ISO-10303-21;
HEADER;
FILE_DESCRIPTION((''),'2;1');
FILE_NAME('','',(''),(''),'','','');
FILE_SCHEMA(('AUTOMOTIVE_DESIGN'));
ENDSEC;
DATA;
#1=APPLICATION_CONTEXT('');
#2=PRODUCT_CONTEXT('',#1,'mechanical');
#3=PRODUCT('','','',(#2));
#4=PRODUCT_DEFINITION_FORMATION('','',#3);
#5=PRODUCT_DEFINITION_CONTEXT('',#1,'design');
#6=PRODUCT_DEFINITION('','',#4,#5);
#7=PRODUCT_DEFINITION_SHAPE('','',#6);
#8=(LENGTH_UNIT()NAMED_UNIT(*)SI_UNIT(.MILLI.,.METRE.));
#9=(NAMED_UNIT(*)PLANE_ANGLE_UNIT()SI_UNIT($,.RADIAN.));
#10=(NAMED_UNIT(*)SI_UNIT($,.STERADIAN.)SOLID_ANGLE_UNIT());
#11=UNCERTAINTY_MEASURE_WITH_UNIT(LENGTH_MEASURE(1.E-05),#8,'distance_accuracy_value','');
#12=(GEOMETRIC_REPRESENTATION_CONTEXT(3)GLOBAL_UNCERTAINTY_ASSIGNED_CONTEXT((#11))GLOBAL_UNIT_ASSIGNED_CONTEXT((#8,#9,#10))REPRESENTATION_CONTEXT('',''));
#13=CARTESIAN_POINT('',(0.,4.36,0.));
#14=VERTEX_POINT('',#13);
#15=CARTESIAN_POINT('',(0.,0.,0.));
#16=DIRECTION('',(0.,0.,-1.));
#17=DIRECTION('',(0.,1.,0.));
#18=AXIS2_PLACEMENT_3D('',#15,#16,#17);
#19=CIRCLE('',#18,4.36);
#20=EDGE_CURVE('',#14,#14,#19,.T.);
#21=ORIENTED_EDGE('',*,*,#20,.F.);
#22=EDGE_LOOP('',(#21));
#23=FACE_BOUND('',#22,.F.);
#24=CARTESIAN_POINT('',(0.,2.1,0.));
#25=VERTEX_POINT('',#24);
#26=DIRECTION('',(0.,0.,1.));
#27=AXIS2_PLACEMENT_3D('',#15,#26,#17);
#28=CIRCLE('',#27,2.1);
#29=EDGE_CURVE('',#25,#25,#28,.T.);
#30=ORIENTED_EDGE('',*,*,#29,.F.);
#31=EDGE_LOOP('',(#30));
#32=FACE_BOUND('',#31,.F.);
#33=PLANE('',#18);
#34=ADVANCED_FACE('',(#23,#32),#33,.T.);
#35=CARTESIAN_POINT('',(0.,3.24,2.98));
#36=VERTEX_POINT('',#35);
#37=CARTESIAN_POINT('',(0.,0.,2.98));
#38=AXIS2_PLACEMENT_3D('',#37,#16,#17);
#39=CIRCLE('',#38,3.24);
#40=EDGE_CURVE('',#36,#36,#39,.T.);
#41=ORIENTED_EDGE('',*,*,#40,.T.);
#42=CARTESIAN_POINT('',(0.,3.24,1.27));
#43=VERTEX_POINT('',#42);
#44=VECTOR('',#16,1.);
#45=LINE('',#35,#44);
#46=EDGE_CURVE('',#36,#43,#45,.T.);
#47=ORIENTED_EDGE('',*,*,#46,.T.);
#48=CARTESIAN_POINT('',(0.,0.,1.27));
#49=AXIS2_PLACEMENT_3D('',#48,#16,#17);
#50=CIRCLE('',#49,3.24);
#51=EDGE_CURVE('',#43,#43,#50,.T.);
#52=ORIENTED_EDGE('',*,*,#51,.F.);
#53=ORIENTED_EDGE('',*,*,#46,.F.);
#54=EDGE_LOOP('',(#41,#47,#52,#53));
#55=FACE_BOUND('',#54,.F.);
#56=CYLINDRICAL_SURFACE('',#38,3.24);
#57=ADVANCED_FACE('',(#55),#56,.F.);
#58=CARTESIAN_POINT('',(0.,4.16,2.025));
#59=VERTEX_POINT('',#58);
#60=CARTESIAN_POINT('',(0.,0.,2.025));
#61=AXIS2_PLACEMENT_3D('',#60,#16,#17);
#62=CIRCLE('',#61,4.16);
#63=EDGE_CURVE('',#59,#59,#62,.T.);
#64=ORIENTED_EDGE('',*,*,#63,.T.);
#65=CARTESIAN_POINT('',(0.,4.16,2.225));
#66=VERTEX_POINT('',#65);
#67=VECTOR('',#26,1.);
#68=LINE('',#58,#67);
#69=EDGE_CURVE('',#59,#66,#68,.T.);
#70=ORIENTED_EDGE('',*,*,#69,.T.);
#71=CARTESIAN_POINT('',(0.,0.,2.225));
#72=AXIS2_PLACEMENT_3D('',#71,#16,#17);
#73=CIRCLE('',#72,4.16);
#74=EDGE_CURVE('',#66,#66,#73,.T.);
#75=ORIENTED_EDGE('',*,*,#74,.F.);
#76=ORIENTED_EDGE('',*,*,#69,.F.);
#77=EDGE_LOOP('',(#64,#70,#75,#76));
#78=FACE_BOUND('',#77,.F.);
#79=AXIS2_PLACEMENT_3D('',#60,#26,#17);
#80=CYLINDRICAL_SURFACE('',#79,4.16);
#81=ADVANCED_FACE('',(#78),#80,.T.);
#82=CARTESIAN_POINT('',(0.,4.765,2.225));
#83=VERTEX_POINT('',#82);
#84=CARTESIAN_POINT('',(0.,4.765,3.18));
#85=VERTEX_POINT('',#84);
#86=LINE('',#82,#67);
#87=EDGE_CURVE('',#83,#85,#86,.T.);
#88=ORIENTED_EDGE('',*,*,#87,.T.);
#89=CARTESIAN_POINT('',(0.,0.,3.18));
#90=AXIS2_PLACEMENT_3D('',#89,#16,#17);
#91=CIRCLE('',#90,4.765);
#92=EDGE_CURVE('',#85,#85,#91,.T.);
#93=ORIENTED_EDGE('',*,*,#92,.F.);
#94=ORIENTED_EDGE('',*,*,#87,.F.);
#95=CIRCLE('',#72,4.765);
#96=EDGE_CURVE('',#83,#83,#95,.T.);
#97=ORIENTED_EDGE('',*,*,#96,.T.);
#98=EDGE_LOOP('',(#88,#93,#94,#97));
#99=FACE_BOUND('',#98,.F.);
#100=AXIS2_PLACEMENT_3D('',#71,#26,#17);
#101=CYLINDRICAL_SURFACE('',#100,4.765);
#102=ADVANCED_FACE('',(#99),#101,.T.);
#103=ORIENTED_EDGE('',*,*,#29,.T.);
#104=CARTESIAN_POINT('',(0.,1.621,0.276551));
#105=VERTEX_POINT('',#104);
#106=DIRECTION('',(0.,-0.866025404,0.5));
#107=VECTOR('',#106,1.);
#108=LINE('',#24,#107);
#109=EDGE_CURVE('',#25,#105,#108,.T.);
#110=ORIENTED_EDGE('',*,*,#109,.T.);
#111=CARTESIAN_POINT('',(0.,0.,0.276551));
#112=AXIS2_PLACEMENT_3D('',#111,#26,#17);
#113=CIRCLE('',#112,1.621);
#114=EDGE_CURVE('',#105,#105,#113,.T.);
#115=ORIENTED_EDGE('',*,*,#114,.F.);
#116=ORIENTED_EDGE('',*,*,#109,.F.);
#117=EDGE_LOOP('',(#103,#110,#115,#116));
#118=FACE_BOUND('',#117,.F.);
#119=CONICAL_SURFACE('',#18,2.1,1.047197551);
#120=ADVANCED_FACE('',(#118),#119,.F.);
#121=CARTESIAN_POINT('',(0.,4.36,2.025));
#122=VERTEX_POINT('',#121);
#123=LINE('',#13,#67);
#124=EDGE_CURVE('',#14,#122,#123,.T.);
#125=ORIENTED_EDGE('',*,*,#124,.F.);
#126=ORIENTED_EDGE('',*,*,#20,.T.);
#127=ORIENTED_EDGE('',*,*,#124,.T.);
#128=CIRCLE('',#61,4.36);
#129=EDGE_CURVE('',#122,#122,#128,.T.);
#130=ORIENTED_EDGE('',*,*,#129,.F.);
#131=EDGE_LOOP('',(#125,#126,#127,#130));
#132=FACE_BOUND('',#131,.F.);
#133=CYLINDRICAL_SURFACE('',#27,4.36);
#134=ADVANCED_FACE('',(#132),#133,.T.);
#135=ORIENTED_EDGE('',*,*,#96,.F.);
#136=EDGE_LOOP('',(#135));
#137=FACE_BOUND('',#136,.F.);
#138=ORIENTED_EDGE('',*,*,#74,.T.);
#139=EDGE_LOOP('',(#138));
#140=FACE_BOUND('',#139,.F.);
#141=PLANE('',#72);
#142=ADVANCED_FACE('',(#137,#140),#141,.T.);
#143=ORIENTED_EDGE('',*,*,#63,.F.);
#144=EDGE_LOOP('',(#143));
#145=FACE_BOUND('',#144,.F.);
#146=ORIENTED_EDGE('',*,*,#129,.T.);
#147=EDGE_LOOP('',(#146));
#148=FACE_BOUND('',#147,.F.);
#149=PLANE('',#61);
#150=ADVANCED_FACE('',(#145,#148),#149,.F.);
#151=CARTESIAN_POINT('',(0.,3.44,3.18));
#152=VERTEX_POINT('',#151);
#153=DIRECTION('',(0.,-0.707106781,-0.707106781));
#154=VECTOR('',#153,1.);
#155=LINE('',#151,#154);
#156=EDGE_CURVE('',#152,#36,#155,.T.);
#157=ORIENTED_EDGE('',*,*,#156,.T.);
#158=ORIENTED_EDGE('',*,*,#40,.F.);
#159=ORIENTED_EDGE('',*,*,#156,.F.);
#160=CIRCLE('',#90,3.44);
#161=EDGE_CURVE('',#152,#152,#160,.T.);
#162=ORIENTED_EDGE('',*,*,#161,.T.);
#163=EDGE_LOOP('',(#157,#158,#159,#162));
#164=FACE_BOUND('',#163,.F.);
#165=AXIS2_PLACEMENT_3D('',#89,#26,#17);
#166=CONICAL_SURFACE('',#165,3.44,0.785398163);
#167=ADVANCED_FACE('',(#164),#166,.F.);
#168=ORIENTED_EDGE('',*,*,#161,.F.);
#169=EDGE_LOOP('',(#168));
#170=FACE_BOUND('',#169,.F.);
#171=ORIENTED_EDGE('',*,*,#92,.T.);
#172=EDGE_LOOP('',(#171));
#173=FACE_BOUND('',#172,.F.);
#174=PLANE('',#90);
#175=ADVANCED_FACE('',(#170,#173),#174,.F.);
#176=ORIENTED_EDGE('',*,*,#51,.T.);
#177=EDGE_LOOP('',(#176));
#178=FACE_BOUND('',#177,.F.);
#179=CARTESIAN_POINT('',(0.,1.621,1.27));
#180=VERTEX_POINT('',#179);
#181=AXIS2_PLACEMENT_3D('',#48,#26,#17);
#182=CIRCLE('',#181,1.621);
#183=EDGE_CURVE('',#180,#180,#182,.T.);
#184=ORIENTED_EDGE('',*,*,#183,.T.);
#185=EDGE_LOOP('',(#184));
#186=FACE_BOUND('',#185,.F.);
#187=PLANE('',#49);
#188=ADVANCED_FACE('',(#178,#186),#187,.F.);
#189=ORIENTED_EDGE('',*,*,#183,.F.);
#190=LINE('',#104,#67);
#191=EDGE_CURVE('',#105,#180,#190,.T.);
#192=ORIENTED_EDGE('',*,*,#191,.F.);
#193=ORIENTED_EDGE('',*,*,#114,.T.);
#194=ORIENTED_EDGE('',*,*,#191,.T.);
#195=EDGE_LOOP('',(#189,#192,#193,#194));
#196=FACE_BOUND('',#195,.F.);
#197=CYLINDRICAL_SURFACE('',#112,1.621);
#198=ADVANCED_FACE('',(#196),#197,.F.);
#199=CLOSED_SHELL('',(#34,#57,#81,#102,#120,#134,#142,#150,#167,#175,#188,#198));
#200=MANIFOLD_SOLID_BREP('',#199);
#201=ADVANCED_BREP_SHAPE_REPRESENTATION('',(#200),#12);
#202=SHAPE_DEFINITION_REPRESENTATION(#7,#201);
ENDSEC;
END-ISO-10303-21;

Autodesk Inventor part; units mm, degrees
ref_plane "YZ Plane" through (0, 0, 0) normal (1, 0, 0) x (0, 1, 0)
ref_plane "XZ Plane" through (0, 0, 0) normal (0, 1, 0) x (-1, 0, 0)
ref_plane "XY Plane" through (0, 0, 0) normal (0, 0, 1) x (1, 0, 0)
sketch "Sketch1" plane through (0, 0, 0) normal (1, 0, 0) x (0, 1, 0)
  line L0 (0, 0) -> (4.36, 0)
  line L1 (4.36, 0) -> (4.36, 2.025)
  line L2 (4.36, 2.025) -> (4.16, 2.025)
  line L3 (4.16, 2.025) -> (4.16, 2.225)
  line L4 (4.16, 2.225) -> (4.765, 2.225)
  line L5 (4.765, 2.225) -> (4.765, 3.18)
  line L6 (4.765, 3.18) -> (3.44, 3.18)
  line L7 (3.24, 2.98) -> (3.24, 1.27)
  line L8 (3.24, 1.27) -> (0, 1.27)
  line L9 (0, 1.27) -> (0, 0)
  line L10 (3.44, 3.18) -> (3.24, 2.98)
  point P0 (3.24, 3.18)
  dimension "d1" = 8.72
  dimension "d4" = 0.2
  dimension "d5" = 3.18
  dimension "d6" = 9.53
  dimension "d7" = 1.91
  dimension "d8" = 6.48
  dimension "d9" = 0.955
  dimension "d28" = 0.2
  dimension "d29" = 0.2
revolve "Revolution1" add sketch "Sketch1" angle 360 about axis through (0, 0, 1.27) along (0, 0, -1)
hole "Hole1" at (0, 0, 0) direction (0, 0, 1) diameter 3.242 end through all countersink diameter 4.2 countersink angle 120 thread size "M4x0.7" class "6H" standard "ANSI Metric M Profile"
equation "\"d1\" = C_"
equation "\"d4\" = TD_d"
equation "\"d5\" = A_"
equation "\"d6\" = E_"
equation "\"d7\" = H_"
equation "\"d8\" = B"
equation "\"d9\" = 0.5 * H_"
equation "\"d28\" = TD_d"
equation "\"d29\" = d28"
equation "\"d19\" = 1.05 * NND"
equation "\"A_\" = 3.18"
equation "\"B\" = 6.48"
equation "\"C_\" = 8.72"
equation "\"E_\" = 9.53"
equation "\"H_\" = 1.91"
equation "\"NND\" = 4"
equation "\"TD_d\" = 0.2"
equation "\"Min_Sheet_for_Self_Clinching\" = 1.27"
equation "\"Min_Sheet_for_Flush_Installation\" = 3.18"
equation "\"Min_Dist\" = 8.64"
equation "\"H_Size\" = 8.74"
equation "\"TL\" = 1.27"
properties part number "PR10-M4" material "Stainless Steel"
